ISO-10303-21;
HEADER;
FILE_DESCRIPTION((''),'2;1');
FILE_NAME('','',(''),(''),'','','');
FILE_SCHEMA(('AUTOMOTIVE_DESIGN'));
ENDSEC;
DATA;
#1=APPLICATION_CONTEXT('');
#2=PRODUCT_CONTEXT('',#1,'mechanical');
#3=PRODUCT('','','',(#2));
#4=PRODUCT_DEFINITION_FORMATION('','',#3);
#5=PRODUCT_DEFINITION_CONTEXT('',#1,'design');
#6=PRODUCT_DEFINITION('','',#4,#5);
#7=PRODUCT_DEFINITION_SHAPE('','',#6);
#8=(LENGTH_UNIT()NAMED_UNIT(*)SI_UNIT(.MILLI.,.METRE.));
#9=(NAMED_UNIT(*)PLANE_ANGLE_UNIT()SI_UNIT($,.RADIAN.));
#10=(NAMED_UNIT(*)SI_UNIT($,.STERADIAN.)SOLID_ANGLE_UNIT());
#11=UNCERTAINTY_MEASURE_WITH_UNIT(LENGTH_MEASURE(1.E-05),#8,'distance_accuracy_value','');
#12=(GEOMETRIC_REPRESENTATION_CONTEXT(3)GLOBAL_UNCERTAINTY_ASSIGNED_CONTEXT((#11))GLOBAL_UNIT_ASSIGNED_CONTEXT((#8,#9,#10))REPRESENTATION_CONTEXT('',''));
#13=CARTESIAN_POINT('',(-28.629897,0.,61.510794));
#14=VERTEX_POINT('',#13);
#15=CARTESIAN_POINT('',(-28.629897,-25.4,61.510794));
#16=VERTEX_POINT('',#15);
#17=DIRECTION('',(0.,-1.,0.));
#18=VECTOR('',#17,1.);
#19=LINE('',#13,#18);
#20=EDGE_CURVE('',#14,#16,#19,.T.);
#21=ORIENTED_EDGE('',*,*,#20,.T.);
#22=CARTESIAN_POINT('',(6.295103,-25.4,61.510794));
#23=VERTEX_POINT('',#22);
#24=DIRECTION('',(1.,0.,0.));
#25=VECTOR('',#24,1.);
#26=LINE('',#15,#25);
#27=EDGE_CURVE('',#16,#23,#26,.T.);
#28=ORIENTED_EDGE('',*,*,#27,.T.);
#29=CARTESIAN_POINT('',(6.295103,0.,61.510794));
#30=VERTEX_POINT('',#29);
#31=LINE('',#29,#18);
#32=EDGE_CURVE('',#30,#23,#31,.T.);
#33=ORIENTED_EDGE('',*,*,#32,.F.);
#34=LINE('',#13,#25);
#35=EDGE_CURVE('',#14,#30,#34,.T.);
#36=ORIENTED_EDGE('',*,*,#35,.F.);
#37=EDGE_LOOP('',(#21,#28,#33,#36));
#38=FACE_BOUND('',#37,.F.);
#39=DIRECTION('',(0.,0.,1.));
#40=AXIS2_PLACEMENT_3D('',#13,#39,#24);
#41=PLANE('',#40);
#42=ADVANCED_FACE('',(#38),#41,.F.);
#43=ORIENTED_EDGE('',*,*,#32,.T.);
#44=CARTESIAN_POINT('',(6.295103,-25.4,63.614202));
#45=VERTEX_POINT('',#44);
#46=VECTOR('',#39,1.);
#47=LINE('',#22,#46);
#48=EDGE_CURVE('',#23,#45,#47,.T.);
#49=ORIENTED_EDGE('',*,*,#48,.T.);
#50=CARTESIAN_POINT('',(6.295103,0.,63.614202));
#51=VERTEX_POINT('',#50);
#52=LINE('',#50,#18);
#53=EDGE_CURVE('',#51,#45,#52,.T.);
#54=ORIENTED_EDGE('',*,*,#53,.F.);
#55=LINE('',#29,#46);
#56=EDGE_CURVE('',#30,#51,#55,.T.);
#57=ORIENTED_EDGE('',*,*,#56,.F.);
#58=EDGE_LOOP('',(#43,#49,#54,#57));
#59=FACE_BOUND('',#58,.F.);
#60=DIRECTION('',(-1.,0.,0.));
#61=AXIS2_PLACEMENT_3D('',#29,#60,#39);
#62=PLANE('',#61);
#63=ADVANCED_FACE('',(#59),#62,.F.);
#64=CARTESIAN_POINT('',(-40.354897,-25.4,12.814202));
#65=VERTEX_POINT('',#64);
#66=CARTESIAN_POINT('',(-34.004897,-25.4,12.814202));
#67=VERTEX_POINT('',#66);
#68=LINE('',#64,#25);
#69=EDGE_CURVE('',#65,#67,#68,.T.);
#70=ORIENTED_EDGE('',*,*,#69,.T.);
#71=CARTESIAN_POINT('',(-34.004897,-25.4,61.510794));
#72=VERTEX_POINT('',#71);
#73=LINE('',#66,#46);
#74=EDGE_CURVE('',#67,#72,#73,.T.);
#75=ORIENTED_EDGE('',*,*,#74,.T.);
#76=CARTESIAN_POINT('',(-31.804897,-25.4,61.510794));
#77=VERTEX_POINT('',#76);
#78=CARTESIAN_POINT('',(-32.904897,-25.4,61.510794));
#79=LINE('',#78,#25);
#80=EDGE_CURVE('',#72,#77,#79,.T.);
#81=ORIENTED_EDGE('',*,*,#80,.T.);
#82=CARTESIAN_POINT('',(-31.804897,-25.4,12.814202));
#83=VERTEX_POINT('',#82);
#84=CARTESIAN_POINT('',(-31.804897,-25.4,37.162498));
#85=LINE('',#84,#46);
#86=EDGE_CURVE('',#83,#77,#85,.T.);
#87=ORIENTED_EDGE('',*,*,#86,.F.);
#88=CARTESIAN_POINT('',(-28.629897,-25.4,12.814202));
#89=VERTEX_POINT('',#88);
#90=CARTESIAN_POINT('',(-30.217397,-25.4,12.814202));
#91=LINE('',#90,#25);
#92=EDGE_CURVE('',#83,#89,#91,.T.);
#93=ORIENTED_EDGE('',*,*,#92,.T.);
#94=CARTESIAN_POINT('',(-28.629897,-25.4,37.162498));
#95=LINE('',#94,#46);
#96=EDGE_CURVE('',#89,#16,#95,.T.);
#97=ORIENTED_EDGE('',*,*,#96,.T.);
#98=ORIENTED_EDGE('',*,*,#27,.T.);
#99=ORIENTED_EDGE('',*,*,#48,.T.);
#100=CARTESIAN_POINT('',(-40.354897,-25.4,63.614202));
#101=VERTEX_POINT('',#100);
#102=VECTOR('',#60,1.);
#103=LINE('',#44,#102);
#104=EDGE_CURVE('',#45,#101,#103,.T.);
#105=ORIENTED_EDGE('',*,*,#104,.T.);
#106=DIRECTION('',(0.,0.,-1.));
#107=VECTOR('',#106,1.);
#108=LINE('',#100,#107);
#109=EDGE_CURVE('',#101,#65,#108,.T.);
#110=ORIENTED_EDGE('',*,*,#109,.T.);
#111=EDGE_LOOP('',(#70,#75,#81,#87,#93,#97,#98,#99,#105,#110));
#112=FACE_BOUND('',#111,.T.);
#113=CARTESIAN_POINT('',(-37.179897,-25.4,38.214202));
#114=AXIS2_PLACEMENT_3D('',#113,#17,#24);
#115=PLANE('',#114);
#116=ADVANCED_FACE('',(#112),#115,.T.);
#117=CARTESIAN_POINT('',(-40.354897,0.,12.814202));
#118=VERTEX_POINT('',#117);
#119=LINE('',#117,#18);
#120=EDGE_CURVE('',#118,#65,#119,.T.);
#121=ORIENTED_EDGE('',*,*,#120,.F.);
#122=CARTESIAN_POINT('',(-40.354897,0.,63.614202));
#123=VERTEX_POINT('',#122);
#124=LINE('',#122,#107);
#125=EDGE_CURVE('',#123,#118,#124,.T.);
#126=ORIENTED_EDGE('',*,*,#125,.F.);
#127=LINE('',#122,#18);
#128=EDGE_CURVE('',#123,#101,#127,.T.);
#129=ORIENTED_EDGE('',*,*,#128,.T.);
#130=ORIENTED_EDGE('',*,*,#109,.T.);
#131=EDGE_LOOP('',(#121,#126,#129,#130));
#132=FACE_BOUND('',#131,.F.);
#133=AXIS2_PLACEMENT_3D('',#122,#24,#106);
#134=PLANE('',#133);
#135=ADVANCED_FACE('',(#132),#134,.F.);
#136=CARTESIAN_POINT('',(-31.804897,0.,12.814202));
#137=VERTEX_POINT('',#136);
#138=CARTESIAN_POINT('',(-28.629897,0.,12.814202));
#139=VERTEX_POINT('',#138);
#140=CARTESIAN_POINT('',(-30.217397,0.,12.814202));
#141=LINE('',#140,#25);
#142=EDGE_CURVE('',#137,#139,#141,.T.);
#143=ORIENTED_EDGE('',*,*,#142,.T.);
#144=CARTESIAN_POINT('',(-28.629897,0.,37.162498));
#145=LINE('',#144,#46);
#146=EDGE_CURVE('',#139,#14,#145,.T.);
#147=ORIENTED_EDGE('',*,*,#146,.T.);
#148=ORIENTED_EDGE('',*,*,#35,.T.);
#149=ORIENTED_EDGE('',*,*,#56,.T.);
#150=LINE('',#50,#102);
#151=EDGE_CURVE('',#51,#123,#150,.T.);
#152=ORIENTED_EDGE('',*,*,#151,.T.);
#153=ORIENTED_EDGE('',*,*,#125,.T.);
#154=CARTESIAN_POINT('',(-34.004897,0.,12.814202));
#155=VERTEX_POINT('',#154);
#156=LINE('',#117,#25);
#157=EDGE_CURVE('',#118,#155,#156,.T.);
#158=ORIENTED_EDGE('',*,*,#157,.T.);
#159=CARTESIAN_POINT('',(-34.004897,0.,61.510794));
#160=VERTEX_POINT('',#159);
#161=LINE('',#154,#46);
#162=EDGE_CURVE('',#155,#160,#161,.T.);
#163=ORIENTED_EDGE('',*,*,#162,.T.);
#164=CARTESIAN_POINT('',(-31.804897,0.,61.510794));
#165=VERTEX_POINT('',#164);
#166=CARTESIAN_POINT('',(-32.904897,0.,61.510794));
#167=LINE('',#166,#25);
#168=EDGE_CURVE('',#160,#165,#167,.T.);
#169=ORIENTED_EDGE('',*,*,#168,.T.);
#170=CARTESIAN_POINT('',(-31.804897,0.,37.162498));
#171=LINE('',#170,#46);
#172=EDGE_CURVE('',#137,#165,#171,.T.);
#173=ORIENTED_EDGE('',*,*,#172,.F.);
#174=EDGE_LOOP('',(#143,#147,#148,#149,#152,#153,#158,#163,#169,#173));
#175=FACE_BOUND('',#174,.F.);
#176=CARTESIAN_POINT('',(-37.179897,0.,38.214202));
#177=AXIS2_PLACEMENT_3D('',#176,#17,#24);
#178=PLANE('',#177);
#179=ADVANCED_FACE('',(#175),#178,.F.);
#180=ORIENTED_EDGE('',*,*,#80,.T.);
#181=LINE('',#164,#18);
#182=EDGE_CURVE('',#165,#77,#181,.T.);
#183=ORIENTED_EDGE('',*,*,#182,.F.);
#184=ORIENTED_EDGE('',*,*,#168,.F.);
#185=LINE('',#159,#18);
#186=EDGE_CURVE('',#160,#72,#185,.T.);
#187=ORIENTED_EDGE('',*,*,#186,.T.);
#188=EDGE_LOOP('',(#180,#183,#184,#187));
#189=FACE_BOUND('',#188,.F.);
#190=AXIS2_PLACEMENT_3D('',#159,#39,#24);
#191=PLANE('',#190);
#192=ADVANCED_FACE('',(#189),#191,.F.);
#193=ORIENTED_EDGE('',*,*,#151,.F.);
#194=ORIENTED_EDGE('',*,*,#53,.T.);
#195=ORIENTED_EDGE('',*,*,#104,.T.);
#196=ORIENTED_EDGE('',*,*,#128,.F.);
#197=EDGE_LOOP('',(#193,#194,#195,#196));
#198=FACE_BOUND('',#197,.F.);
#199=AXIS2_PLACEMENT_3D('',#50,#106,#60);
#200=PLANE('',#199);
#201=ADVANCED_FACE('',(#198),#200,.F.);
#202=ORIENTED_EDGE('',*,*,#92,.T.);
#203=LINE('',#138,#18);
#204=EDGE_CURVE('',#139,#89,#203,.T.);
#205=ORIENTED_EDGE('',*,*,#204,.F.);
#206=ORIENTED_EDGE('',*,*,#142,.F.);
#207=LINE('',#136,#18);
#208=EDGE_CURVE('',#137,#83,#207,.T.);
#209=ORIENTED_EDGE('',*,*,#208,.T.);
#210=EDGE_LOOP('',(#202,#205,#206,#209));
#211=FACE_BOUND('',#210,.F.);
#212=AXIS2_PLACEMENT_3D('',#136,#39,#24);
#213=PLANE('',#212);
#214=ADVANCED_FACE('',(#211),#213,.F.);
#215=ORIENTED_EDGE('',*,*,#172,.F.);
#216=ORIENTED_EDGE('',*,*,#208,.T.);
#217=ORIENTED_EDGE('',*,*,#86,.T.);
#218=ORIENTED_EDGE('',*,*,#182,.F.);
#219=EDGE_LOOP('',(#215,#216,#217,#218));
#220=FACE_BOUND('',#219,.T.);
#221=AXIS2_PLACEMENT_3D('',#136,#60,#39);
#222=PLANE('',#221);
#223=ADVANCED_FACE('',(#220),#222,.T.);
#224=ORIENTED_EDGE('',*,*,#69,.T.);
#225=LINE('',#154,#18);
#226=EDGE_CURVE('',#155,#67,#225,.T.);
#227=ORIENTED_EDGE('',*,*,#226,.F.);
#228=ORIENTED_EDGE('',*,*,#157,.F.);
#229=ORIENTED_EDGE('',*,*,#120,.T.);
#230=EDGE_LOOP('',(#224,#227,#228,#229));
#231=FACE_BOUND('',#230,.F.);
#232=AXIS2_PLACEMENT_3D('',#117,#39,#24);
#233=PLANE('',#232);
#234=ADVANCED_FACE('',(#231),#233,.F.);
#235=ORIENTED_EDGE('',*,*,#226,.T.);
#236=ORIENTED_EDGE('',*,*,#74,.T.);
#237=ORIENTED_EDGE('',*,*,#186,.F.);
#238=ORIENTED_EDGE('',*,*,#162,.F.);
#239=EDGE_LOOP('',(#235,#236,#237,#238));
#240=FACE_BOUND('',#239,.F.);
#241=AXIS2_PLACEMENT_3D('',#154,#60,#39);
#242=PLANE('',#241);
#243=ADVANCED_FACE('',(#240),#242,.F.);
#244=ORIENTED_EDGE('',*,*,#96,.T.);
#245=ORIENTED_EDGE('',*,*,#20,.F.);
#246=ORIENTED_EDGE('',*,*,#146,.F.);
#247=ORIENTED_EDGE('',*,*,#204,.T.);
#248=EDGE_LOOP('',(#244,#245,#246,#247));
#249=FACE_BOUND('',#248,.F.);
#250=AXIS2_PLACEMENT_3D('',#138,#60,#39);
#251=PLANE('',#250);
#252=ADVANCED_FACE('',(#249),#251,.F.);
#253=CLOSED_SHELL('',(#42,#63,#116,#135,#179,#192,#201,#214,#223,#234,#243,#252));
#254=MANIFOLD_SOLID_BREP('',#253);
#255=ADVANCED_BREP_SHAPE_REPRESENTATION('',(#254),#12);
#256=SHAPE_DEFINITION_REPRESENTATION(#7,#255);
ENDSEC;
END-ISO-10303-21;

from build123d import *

# Parameters (mm, degrees)
F0_W     = 3.175
F0_H     = 48.696592
F0_W_2   = 2.2
F0_H_2   = 2.103408
F1_DEPTH = 25.4


with BuildPart() as f1:
    # F0 (on Front) → F1 (new body)
    with BuildSketch(Plane.XZ):
        Polygon((-40.354897, 12.814202), (-34.004897, 12.814202), (-34.004897, 61.510794), (-34.004897, 63.614202), (-40.354897, 63.614202), align=None)
        with Locations((-30.217397, 37.162498)):
            Rectangle(F0_W, F0_H)
        with Locations((-32.904897, 62.562498)):
            Rectangle(F0_W_2, F0_H_2)
        Polygon((-31.804897, 63.614202), (-31.804897, 61.510794), (-28.629897, 61.510794), (6.295103, 61.510794), (6.295103, 63.614202), align=None)
    extrude(amount=F1_DEPTH)


solid = f1.part
